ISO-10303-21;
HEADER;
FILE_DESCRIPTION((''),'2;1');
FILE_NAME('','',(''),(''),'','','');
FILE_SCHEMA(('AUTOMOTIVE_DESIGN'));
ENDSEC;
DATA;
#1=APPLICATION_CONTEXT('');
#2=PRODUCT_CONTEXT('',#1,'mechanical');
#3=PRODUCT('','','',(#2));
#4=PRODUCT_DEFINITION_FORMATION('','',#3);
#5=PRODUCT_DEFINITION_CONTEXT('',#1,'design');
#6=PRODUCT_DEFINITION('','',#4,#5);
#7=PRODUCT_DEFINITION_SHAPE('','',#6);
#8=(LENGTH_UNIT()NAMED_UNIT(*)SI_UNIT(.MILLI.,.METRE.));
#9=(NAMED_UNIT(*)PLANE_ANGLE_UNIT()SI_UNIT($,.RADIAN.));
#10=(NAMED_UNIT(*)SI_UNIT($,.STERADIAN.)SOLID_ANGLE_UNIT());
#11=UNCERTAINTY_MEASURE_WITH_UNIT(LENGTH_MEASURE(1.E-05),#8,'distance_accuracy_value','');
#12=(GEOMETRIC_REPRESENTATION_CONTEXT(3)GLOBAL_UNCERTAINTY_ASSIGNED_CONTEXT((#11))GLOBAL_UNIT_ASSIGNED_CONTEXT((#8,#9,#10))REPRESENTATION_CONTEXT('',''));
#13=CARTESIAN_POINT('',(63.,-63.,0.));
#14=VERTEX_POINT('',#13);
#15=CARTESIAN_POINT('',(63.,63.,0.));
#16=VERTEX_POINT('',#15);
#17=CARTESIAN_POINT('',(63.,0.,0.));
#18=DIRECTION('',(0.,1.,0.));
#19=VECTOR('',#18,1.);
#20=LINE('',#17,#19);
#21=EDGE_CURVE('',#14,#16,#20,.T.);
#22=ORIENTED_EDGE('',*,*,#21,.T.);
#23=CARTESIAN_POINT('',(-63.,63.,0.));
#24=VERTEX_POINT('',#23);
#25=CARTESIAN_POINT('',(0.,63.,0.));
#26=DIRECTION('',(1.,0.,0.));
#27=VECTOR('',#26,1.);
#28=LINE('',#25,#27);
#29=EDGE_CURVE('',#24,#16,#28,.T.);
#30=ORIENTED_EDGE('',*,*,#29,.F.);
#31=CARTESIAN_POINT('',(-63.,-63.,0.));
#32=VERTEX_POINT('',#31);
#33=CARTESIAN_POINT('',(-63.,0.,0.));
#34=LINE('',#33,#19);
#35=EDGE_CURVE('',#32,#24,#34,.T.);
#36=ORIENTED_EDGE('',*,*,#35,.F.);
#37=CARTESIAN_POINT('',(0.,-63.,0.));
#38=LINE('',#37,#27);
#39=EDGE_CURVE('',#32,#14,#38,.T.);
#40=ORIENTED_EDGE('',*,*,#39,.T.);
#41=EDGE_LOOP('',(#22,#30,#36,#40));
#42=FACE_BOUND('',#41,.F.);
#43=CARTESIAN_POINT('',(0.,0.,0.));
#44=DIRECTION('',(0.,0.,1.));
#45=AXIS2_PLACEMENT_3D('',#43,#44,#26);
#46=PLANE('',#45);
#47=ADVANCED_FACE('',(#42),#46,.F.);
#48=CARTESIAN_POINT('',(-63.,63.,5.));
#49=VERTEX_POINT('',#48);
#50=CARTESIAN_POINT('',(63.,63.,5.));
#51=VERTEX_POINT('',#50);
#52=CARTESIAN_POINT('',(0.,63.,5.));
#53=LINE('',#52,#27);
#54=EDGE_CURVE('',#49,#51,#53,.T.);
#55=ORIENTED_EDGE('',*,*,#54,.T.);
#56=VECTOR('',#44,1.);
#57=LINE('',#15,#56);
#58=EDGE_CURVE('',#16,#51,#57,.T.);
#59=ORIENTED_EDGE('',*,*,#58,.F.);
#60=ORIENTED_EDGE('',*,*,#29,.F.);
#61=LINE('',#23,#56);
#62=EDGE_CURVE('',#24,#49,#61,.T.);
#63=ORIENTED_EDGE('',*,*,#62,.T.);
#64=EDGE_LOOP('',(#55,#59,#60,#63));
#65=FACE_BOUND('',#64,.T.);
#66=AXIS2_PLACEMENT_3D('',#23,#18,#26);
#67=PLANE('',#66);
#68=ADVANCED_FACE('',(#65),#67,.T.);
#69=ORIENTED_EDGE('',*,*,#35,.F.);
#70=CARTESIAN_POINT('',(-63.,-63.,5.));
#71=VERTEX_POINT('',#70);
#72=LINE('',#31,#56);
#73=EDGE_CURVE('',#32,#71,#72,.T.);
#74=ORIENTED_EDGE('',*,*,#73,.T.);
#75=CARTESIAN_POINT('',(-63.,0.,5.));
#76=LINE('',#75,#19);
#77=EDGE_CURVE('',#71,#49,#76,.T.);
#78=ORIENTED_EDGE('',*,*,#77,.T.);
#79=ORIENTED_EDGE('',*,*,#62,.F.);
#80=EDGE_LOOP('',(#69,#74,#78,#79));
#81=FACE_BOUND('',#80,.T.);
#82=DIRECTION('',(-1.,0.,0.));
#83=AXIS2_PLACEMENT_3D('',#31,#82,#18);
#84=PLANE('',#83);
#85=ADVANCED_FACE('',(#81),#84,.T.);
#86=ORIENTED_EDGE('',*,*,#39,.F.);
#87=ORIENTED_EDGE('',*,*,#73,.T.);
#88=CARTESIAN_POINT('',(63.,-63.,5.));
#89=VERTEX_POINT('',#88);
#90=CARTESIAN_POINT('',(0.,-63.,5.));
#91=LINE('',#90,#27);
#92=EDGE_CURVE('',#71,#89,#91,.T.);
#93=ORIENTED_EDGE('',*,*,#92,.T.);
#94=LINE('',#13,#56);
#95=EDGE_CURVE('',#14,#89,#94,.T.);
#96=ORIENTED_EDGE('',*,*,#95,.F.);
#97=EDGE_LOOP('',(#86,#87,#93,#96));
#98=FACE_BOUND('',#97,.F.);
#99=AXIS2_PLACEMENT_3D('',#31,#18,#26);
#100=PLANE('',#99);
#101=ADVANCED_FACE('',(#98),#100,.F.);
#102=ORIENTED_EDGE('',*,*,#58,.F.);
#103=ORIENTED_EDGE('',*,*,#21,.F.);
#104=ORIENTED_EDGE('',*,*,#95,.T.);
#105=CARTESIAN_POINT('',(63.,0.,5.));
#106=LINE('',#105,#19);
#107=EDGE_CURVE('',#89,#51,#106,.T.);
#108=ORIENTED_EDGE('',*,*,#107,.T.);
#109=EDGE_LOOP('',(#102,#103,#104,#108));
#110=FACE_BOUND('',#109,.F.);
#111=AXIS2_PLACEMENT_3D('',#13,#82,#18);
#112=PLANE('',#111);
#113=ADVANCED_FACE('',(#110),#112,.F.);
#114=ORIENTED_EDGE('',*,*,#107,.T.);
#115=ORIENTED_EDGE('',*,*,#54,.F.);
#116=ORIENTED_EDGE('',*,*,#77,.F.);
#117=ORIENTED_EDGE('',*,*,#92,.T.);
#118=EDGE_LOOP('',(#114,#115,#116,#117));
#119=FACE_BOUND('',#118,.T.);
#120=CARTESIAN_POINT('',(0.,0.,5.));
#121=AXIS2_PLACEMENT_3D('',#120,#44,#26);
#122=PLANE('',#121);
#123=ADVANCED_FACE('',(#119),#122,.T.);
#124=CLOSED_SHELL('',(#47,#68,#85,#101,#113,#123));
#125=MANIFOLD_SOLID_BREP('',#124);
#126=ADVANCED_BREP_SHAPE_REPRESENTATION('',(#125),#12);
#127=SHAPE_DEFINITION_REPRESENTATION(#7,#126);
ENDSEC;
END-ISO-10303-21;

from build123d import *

# Parameters (mm, degrees)
SKETCH_1_W  = 126
SKETCH_1_H  = 126
PAD_1_DEPTH = 5


with BuildPart() as part:
    # Sketch_1 → Pad_1 (new body)
    with BuildSketch(Plane.XY):
        Rectangle(SKETCH_1_W, SKETCH_1_H)
    extrude(amount=PAD_1_DEPTH)


solid = part.part
